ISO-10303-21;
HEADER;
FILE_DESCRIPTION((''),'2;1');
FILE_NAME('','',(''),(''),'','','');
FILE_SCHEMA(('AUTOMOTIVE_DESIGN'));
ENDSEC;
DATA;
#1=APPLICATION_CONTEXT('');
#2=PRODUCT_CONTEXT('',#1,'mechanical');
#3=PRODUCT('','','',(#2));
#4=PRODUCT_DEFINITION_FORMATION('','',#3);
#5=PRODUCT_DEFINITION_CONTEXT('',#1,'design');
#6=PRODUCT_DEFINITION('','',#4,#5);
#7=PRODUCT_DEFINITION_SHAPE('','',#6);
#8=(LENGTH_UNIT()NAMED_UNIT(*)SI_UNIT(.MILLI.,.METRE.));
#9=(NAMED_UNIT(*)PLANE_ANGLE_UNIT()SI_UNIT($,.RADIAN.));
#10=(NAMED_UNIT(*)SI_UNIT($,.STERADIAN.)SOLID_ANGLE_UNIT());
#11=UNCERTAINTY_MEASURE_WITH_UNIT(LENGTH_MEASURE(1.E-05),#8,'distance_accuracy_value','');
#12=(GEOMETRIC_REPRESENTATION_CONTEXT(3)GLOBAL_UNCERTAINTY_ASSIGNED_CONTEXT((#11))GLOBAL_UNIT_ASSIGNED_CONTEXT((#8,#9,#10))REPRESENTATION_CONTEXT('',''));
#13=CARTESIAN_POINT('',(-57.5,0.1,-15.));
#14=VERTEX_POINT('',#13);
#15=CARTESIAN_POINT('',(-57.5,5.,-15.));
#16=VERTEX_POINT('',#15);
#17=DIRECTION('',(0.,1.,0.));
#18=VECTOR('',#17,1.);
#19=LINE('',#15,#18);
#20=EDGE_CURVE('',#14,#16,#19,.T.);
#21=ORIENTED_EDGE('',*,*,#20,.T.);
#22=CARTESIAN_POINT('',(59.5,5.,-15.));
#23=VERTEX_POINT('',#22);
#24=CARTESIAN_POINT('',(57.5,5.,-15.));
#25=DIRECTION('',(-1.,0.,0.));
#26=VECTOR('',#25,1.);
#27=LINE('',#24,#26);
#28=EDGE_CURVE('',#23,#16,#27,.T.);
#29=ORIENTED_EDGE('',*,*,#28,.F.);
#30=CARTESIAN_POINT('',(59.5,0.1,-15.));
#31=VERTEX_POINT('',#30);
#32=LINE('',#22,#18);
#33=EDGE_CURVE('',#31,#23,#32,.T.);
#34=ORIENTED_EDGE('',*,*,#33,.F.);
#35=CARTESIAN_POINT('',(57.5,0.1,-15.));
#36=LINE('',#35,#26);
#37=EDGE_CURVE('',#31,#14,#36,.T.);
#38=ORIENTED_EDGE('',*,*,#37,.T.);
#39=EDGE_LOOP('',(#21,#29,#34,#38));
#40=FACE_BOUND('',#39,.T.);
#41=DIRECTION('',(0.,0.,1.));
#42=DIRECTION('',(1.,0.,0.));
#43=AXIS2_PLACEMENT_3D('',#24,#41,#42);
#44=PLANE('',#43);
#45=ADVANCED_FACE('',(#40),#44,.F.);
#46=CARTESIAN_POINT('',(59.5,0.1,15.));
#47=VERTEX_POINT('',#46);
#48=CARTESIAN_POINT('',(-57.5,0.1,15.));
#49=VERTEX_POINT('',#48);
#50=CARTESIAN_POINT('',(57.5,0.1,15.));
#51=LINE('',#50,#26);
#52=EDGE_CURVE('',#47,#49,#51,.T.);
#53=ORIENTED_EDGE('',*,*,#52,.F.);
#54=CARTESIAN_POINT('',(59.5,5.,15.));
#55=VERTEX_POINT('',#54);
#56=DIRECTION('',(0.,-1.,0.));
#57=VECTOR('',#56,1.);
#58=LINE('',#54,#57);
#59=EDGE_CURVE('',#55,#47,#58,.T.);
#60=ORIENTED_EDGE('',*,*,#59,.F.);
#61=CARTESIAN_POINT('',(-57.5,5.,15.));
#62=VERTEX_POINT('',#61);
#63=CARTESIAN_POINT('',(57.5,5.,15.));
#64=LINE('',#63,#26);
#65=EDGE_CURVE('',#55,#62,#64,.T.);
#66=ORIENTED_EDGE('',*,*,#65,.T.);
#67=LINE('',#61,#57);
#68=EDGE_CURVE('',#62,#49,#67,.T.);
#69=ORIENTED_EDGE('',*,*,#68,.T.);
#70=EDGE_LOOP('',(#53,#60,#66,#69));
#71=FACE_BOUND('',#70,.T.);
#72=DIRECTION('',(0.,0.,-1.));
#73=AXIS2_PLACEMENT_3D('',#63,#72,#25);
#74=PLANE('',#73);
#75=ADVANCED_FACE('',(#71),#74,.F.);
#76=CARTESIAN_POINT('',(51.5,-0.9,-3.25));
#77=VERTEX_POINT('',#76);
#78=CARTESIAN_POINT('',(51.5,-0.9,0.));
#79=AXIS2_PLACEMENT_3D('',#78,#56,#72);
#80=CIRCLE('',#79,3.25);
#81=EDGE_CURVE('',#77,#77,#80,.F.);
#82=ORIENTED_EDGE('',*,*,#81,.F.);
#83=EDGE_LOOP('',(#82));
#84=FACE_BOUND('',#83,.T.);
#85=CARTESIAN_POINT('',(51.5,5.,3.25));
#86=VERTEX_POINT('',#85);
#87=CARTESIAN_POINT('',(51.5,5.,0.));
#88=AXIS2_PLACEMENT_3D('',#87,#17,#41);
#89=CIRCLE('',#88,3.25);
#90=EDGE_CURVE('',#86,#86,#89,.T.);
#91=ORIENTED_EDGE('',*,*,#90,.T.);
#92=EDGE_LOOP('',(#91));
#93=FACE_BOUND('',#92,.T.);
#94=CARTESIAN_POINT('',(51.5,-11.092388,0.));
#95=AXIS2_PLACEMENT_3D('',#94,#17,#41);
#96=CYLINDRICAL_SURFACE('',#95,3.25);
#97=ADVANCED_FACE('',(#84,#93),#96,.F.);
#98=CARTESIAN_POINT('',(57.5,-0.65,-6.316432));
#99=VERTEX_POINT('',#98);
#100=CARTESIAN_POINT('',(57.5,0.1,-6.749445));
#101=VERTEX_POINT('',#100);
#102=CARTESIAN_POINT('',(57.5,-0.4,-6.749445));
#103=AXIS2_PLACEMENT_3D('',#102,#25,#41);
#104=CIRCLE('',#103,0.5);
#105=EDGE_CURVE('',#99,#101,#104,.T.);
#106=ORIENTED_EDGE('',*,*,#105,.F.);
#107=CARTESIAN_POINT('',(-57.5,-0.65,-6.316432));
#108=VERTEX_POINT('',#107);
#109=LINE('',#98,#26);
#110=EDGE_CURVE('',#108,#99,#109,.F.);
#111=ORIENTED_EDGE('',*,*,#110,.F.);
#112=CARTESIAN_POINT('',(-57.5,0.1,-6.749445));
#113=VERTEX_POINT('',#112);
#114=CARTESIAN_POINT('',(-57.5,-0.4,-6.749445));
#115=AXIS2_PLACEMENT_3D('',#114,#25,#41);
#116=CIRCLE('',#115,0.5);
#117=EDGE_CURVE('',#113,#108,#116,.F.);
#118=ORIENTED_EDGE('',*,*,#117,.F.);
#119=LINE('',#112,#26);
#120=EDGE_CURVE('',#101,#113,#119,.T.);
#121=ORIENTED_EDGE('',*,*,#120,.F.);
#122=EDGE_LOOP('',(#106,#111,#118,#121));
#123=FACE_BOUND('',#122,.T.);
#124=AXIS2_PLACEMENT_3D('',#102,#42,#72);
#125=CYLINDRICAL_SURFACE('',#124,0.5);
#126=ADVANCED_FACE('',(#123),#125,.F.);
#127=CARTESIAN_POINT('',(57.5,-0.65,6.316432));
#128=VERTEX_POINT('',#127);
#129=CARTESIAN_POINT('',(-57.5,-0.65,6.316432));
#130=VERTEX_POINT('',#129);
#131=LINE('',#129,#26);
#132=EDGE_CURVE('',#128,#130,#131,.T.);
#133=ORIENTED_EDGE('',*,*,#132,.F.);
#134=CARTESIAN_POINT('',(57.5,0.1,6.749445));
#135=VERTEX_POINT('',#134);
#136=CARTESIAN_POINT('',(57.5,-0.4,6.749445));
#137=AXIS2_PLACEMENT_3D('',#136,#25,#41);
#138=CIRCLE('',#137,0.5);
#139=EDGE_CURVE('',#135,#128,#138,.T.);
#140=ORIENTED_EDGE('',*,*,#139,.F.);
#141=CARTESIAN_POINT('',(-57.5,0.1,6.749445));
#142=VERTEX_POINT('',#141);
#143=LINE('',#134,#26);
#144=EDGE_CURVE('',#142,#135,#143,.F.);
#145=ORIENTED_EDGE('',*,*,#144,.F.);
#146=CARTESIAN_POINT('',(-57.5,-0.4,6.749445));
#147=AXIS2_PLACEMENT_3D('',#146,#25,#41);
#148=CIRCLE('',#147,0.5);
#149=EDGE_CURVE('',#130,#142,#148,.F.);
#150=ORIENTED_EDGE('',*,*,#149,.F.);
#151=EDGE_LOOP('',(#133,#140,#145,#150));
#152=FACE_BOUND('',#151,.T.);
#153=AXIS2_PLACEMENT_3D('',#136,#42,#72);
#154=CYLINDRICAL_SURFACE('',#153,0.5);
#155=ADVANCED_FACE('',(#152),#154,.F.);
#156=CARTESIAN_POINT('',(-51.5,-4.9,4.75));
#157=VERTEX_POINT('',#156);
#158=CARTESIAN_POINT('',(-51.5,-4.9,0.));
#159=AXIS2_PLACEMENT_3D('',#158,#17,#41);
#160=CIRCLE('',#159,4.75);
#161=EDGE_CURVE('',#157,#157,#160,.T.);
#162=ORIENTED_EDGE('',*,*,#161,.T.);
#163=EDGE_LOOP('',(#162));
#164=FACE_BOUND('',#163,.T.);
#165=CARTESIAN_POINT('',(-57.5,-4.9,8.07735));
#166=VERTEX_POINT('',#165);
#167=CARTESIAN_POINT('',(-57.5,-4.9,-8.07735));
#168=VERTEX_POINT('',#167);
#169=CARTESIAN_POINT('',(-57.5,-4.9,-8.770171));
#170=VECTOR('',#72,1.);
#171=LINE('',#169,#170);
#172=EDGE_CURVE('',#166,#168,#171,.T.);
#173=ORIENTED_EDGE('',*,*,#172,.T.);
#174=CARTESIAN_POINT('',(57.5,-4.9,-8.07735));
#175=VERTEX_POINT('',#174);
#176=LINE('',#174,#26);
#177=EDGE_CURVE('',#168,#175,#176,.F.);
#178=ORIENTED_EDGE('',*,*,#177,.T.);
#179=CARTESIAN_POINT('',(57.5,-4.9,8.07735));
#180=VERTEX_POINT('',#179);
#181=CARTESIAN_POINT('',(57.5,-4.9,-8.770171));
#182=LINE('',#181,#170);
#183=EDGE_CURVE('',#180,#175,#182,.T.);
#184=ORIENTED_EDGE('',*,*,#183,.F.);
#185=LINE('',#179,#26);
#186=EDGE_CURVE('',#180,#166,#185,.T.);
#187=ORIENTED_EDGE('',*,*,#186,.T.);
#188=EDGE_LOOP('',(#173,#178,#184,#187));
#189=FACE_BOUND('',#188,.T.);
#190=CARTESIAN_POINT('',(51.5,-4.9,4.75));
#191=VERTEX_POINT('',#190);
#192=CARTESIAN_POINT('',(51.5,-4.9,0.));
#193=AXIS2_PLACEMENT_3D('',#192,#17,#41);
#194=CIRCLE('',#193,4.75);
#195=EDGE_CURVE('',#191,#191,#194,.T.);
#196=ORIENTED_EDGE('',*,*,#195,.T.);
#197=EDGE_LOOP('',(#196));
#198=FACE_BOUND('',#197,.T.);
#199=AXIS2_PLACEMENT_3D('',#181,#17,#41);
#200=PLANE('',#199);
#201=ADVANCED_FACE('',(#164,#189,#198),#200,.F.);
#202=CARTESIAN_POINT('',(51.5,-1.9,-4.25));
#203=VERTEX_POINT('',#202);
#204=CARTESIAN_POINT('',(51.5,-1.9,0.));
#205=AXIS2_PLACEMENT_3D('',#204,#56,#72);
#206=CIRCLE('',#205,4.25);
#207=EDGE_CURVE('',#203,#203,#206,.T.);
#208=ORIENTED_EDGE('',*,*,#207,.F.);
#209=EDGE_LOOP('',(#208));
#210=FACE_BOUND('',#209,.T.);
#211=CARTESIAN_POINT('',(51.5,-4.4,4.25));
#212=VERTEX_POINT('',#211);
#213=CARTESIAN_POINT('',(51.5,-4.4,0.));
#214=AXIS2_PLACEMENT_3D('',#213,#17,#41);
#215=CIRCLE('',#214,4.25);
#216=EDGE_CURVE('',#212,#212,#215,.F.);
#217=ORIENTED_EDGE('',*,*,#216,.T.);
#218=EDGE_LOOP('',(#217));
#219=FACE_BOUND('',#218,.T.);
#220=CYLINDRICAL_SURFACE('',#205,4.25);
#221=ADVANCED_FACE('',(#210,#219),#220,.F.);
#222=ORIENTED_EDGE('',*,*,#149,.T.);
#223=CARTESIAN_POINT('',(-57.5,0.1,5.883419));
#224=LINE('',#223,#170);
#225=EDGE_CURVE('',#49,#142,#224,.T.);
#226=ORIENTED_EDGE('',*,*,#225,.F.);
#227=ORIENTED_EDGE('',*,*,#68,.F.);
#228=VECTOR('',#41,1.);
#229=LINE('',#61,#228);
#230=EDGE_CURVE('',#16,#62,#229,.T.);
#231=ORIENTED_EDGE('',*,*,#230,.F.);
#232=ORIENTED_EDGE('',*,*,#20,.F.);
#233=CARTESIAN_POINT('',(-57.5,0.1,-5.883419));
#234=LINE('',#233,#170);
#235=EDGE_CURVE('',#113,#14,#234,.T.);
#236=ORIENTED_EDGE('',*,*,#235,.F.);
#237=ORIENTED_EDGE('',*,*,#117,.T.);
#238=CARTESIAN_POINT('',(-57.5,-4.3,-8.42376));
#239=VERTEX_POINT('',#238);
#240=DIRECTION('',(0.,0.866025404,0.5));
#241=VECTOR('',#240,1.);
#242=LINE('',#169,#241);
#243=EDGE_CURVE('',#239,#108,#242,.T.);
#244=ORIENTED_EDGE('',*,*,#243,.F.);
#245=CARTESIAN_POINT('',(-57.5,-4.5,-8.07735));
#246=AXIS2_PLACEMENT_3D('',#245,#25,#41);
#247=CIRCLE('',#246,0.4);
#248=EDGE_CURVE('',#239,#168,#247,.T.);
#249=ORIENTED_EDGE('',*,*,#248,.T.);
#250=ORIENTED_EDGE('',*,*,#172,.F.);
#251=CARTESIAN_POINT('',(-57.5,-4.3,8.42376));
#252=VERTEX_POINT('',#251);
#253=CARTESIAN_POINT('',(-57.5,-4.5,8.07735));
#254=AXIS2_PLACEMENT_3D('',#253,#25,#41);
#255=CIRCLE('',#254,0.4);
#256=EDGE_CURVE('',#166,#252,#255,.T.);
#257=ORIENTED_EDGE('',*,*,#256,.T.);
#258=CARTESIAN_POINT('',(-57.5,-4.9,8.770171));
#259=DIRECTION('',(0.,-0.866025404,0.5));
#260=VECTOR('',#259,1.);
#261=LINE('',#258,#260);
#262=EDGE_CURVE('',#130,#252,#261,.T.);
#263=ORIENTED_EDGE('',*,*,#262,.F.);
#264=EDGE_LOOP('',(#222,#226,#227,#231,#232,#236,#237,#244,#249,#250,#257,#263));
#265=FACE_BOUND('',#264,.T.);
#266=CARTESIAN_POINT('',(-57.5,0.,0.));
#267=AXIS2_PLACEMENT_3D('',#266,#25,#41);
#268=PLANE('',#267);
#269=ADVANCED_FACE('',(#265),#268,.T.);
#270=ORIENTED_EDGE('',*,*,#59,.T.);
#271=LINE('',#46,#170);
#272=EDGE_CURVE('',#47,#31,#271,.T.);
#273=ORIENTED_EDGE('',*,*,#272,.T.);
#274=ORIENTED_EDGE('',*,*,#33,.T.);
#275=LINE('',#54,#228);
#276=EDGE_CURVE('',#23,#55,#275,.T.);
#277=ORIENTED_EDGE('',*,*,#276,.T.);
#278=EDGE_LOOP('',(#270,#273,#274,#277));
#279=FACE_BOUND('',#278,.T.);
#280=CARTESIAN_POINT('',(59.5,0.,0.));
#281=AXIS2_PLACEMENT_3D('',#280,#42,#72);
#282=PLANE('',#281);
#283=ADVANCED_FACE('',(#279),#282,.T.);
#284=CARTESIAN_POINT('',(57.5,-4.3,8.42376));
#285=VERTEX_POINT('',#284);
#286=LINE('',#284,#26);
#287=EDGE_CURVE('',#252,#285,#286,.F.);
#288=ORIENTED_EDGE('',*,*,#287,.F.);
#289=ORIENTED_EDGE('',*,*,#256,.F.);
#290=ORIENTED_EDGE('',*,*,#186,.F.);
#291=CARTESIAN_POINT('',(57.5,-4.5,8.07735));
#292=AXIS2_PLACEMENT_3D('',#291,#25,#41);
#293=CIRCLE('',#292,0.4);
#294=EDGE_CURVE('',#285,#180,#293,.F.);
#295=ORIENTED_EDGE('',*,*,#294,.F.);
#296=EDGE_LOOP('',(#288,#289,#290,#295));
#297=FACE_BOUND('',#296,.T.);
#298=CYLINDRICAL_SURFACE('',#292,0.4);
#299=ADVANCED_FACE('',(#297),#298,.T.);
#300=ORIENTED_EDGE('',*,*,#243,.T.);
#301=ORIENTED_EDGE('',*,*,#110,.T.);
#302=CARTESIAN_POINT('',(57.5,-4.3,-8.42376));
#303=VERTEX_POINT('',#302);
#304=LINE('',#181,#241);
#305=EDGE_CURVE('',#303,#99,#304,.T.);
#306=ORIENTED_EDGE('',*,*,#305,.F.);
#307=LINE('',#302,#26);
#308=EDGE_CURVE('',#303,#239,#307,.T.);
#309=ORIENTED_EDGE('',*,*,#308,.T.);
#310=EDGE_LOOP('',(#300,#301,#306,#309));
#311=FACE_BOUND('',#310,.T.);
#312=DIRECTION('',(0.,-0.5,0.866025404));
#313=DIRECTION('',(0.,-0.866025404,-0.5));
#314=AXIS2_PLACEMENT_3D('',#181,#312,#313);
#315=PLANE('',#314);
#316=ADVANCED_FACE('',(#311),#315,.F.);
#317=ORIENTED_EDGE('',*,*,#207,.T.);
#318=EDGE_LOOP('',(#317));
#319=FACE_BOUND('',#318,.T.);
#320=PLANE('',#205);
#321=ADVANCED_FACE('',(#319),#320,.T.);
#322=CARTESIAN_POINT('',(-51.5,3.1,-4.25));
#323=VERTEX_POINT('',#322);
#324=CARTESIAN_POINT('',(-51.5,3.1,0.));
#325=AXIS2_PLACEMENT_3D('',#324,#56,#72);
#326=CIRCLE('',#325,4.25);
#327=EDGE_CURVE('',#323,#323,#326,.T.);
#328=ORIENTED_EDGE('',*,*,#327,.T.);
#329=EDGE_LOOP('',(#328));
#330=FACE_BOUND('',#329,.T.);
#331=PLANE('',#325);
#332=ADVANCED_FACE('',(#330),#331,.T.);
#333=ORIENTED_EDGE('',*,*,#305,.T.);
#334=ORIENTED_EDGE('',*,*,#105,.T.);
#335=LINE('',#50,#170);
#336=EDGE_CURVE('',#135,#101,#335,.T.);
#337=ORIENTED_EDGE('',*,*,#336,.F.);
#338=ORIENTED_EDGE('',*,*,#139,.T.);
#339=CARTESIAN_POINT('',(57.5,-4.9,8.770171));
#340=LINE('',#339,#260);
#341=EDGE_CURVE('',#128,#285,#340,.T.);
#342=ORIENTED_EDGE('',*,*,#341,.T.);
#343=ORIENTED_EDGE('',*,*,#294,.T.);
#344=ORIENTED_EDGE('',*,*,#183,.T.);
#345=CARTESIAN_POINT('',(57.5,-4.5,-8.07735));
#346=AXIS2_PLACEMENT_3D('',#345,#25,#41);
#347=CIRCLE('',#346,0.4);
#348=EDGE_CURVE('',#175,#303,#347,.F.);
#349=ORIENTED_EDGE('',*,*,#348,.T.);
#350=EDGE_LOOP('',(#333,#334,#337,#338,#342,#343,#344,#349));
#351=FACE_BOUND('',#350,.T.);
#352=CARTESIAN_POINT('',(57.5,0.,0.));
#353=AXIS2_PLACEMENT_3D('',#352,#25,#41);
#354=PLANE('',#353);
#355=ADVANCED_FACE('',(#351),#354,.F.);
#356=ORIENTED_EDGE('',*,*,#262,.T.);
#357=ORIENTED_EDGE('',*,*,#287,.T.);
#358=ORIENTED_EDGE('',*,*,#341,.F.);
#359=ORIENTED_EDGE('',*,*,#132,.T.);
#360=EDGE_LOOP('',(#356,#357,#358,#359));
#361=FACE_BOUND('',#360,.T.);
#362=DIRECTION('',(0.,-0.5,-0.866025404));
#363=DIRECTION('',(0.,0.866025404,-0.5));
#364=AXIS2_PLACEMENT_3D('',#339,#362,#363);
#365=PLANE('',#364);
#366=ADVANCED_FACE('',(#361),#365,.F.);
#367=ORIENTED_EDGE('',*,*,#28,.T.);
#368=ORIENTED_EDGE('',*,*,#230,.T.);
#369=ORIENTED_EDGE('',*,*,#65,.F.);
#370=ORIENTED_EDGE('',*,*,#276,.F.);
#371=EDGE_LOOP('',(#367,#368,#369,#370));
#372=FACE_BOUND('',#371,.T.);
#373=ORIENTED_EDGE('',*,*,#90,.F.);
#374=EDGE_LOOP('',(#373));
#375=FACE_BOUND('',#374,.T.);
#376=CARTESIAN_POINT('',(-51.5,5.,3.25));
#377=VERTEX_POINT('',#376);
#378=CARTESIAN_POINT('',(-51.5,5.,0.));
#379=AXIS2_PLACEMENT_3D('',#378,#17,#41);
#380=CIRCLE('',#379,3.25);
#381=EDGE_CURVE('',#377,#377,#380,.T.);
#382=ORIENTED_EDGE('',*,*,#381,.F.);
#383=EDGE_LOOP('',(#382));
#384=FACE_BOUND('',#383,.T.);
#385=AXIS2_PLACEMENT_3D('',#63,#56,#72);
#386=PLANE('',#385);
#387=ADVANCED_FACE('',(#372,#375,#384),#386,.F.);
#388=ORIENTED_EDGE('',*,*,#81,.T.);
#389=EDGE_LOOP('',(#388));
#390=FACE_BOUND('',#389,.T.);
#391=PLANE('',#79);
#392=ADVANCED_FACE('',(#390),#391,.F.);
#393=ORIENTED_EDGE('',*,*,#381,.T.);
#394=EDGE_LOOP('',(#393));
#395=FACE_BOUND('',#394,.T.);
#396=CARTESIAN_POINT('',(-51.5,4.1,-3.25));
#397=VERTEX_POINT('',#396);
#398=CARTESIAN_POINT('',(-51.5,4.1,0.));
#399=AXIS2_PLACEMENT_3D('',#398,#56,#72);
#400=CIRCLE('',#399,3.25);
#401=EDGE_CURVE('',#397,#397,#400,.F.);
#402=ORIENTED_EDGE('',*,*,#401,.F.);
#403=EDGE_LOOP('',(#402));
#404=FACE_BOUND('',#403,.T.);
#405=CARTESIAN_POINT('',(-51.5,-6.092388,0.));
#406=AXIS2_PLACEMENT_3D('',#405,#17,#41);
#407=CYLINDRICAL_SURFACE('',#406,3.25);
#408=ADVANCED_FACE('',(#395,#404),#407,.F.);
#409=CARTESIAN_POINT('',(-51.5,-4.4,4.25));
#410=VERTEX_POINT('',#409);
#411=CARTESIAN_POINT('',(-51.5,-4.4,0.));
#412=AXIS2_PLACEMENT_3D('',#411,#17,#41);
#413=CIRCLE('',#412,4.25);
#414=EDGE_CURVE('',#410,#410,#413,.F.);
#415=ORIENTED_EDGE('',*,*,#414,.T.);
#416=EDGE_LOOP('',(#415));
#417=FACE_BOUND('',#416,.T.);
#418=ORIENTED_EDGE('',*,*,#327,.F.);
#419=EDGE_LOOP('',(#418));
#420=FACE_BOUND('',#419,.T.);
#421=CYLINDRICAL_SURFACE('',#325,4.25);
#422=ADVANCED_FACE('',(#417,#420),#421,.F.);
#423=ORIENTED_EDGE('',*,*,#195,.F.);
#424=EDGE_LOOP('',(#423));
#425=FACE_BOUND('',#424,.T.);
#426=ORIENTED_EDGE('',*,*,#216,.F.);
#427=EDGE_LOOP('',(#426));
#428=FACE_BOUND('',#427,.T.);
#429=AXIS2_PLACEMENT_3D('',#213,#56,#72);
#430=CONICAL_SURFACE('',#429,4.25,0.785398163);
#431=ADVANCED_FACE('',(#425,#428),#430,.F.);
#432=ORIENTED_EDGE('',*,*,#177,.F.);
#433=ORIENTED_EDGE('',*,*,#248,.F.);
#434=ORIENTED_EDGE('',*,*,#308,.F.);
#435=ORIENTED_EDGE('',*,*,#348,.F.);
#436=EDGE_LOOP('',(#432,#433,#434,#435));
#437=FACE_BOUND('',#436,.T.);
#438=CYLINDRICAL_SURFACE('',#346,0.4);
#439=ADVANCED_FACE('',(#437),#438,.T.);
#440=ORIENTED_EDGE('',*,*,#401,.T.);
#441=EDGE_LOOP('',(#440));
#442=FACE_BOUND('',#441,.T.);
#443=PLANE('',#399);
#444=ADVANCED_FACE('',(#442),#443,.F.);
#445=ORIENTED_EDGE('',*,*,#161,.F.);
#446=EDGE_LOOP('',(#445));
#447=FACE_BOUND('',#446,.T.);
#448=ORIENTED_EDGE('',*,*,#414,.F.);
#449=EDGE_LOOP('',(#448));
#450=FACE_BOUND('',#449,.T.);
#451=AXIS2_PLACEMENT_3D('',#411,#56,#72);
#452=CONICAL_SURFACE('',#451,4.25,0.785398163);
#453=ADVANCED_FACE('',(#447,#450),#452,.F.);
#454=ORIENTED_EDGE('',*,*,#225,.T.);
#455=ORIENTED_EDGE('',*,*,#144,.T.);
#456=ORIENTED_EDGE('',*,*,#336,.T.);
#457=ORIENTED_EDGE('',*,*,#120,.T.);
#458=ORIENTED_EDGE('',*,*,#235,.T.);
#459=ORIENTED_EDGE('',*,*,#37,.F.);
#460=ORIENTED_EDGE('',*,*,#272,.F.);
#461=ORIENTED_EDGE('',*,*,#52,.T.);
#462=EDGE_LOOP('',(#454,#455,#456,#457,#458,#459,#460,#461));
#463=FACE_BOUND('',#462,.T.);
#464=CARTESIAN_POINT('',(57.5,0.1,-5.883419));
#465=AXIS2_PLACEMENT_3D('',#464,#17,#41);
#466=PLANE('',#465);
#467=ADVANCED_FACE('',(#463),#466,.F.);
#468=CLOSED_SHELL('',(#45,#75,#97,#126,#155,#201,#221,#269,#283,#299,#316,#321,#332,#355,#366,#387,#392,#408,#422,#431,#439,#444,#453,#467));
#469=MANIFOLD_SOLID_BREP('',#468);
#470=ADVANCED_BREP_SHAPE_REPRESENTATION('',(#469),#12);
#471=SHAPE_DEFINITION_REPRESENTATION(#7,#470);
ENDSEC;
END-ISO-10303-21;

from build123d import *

# Parameters (mm, degrees)
BOSS_EXTRUDE2_DEPTH = 57.5
FILLET1_R           = 0.4
FILLET2_R           = 0.5
SKETCH5_R           = 4.25
CUT_EXTRUDE1_DEPTH  = 3
SKETCH6_R           = 3.25
CUT_EXTRUDE2_DEPTH  = 5.9
SKETCH7_R           = 4.25
CUT_EXTRUDE3_DEPTH  = 8
SKETCH8_R           = 3.25
CUT_EXTRUDE4_DEPTH  = 0.9
SKETCH9_W           = 30
SKETCH9_H           = 4.9
BOSS_EXTRUDE3_DEPTH = 2
CHAMFER1_SIZE       = 0.5


with BuildPart() as part:
    # Sketch4 → Boss-Extrude2 (new, symmetric)
    with BuildSketch(Plane(origin=(0, 0, 0), x_dir=(0, 0, -1), z_dir=(1, 0, 0))):
        Polygon((-15, 5), (15, 5), (15, 0.1), (5.883419246, 0.1), (8.770170592, -4.9), (-8.770170592, -4.9), (-5.883419246, 0.1), (-15, 0.1), align=None)
    extrude(amount=BOSS_EXTRUDE2_DEPTH, both=True)

    # Fillet1
    fillet1_edges = [part.edges().sort_by_distance(p)[0] for p in [
        (0, -4.9, -8.770170592),
        (0, -4.9, 8.770170592),
    ]]
    fillet(fillet1_edges, radius=FILLET1_R)

    # Fillet2
    fillet2_edges = [part.edges().sort_by_distance(p)[0] for p in [
        (0, 0.1, -5.883419246),
        (0, 0.1, 5.883419246),
    ]]
    fillet(fillet2_edges, radius=FILLET2_R)

    # Sketch5 → Cut-Extrude1 (cut)
    with BuildSketch(Plane.XZ.offset(4.9)):
        with Locations(Location((51.5, 0, 0), (0, 0, 270))):
            Circle(SKETCH5_R)
    extrude(amount=-CUT_EXTRUDE1_DEPTH, mode=Mode.SUBTRACT)

    # Sketch6 → Cut-Extrude2 (cut)
    with BuildSketch(Plane(origin=(0, 5, 0), x_dir=(1, 0, 0), z_dir=(0, 1, 0))):
        with Locations(Location((51.5, 0, 0), (0, 0, 270))):
            Circle(SKETCH6_R)
    extrude(amount=-CUT_EXTRUDE2_DEPTH, mode=Mode.SUBTRACT)

    # Sketch7 → Cut-Extrude3 (cut)
    with BuildSketch(Plane.XZ.offset(4.9)):
        with Locations(Location((-51.5, 0, 0), (0, 0, 270))):
            Circle(SKETCH7_R)
    extrude(amount=-CUT_EXTRUDE3_DEPTH, mode=Mode.SUBTRACT)

    # Sketch8 → Cut-Extrude4 (cut)
    with BuildSketch(Plane(origin=(0, 5, 0), x_dir=(1, 0, 0), z_dir=(0, 1, 0))):
        with Locations(Location((-51.5, 0, 0), (0, 0, 270))):
            Circle(SKETCH8_R)
    extrude(amount=-CUT_EXTRUDE4_DEPTH, mode=Mode.SUBTRACT)

    # Sketch9 → Boss-Extrude3 (add)
    with BuildSketch(Plane(origin=(57.5, 0, 0), x_dir=(0, 0, -1), z_dir=(1, 0, 0))):
        with Locations((0, 2.55)):
            Rectangle(SKETCH9_W, SKETCH9_H)
    extrude(amount=BOSS_EXTRUDE3_DEPTH)

    # Chamfer1
    chamfer1_edges = [part.edges().sort_by_distance(p)[0] for p in [
        (51.5, -4.9, 4.25),
        (-51.5, -4.9, 4.25),
    ]]
    chamfer(chamfer1_edges, length=CHAMFER1_SIZE)


solid = part.part
